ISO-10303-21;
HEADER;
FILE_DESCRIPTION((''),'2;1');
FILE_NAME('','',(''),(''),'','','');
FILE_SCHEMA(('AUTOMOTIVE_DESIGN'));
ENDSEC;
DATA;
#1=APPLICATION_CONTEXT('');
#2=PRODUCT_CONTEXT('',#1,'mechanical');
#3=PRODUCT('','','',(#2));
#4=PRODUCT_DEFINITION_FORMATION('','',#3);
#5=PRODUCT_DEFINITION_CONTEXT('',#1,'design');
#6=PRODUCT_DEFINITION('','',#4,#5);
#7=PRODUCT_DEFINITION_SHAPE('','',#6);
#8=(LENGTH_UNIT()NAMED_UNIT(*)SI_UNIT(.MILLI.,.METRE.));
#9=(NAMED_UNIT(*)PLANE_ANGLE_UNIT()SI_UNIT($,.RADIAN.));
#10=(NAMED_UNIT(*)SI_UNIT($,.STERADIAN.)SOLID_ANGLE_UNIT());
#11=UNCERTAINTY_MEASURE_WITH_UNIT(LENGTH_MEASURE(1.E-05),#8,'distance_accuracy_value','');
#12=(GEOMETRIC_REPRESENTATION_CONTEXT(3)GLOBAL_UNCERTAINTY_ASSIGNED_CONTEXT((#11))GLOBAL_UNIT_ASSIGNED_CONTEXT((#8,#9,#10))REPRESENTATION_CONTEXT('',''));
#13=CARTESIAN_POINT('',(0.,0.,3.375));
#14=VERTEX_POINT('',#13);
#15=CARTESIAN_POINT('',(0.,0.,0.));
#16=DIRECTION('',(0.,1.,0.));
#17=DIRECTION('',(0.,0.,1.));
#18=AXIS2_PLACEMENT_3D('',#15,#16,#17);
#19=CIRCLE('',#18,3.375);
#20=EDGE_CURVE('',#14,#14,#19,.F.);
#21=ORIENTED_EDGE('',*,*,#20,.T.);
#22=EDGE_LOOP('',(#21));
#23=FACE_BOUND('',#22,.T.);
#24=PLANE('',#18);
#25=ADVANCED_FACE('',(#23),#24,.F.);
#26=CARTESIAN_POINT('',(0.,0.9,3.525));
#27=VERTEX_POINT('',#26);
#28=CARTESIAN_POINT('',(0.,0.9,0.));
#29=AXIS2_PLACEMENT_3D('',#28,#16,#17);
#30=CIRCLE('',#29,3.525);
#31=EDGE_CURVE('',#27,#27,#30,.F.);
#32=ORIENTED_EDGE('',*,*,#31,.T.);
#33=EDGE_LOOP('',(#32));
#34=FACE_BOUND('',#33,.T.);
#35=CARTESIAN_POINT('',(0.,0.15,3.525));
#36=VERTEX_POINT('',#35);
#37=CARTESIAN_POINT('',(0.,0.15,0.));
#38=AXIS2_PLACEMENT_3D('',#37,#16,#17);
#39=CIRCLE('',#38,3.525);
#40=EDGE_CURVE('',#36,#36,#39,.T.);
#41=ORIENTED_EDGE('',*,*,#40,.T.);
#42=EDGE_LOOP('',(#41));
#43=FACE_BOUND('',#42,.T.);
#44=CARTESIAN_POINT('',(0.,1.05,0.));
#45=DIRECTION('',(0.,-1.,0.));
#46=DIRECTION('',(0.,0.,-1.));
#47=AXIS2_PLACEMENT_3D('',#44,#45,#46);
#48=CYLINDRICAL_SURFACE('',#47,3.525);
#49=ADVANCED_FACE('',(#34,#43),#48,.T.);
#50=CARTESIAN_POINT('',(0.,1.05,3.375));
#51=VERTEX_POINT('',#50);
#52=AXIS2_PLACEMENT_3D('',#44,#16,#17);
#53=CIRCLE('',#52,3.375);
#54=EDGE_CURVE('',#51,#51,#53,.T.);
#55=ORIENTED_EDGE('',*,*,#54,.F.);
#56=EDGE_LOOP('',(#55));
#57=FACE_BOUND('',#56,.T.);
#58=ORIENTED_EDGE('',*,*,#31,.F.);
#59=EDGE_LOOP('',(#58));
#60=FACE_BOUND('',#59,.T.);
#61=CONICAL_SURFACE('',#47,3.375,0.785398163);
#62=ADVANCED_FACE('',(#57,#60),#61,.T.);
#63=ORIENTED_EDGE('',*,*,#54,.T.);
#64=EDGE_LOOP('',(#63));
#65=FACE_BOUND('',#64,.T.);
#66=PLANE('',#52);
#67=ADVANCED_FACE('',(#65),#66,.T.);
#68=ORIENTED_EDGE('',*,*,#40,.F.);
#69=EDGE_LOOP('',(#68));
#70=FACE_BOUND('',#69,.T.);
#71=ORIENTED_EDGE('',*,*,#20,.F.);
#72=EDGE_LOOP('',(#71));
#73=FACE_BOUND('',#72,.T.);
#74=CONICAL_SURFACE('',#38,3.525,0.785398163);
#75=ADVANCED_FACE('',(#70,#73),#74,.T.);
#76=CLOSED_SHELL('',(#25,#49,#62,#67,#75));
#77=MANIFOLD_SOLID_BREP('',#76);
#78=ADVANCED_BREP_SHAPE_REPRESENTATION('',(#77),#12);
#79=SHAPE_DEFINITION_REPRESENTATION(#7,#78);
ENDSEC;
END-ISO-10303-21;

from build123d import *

# Parameters (mm, degrees)
SKETCH_1_R        = 3.525
EXTRUDE_225_DEPTH = 1.05
CHAMFER_1_SIZE    = 0.15


with BuildPart() as part:
    # Эскиз1 → Extrude 225 (new body)
    with BuildSketch(Plane(origin=(0, 0, 0), x_dir=(1, 0, 0), z_dir=(0, 1, 0))):
        with Locations(Location((0, 0, 0), (0, 0, 270))):
            Circle(SKETCH_1_R)
    extrude(amount=EXTRUDE_225_DEPTH)

    # Фаска1
    chamfer_1_edges = [part.edges().sort_by_distance(p)[0] for p in [
        (0, 0, -3.525),
        (0, 1.05, -3.525),
    ]]
    chamfer(chamfer_1_edges, length=CHAMFER_1_SIZE)


solid = part.part
